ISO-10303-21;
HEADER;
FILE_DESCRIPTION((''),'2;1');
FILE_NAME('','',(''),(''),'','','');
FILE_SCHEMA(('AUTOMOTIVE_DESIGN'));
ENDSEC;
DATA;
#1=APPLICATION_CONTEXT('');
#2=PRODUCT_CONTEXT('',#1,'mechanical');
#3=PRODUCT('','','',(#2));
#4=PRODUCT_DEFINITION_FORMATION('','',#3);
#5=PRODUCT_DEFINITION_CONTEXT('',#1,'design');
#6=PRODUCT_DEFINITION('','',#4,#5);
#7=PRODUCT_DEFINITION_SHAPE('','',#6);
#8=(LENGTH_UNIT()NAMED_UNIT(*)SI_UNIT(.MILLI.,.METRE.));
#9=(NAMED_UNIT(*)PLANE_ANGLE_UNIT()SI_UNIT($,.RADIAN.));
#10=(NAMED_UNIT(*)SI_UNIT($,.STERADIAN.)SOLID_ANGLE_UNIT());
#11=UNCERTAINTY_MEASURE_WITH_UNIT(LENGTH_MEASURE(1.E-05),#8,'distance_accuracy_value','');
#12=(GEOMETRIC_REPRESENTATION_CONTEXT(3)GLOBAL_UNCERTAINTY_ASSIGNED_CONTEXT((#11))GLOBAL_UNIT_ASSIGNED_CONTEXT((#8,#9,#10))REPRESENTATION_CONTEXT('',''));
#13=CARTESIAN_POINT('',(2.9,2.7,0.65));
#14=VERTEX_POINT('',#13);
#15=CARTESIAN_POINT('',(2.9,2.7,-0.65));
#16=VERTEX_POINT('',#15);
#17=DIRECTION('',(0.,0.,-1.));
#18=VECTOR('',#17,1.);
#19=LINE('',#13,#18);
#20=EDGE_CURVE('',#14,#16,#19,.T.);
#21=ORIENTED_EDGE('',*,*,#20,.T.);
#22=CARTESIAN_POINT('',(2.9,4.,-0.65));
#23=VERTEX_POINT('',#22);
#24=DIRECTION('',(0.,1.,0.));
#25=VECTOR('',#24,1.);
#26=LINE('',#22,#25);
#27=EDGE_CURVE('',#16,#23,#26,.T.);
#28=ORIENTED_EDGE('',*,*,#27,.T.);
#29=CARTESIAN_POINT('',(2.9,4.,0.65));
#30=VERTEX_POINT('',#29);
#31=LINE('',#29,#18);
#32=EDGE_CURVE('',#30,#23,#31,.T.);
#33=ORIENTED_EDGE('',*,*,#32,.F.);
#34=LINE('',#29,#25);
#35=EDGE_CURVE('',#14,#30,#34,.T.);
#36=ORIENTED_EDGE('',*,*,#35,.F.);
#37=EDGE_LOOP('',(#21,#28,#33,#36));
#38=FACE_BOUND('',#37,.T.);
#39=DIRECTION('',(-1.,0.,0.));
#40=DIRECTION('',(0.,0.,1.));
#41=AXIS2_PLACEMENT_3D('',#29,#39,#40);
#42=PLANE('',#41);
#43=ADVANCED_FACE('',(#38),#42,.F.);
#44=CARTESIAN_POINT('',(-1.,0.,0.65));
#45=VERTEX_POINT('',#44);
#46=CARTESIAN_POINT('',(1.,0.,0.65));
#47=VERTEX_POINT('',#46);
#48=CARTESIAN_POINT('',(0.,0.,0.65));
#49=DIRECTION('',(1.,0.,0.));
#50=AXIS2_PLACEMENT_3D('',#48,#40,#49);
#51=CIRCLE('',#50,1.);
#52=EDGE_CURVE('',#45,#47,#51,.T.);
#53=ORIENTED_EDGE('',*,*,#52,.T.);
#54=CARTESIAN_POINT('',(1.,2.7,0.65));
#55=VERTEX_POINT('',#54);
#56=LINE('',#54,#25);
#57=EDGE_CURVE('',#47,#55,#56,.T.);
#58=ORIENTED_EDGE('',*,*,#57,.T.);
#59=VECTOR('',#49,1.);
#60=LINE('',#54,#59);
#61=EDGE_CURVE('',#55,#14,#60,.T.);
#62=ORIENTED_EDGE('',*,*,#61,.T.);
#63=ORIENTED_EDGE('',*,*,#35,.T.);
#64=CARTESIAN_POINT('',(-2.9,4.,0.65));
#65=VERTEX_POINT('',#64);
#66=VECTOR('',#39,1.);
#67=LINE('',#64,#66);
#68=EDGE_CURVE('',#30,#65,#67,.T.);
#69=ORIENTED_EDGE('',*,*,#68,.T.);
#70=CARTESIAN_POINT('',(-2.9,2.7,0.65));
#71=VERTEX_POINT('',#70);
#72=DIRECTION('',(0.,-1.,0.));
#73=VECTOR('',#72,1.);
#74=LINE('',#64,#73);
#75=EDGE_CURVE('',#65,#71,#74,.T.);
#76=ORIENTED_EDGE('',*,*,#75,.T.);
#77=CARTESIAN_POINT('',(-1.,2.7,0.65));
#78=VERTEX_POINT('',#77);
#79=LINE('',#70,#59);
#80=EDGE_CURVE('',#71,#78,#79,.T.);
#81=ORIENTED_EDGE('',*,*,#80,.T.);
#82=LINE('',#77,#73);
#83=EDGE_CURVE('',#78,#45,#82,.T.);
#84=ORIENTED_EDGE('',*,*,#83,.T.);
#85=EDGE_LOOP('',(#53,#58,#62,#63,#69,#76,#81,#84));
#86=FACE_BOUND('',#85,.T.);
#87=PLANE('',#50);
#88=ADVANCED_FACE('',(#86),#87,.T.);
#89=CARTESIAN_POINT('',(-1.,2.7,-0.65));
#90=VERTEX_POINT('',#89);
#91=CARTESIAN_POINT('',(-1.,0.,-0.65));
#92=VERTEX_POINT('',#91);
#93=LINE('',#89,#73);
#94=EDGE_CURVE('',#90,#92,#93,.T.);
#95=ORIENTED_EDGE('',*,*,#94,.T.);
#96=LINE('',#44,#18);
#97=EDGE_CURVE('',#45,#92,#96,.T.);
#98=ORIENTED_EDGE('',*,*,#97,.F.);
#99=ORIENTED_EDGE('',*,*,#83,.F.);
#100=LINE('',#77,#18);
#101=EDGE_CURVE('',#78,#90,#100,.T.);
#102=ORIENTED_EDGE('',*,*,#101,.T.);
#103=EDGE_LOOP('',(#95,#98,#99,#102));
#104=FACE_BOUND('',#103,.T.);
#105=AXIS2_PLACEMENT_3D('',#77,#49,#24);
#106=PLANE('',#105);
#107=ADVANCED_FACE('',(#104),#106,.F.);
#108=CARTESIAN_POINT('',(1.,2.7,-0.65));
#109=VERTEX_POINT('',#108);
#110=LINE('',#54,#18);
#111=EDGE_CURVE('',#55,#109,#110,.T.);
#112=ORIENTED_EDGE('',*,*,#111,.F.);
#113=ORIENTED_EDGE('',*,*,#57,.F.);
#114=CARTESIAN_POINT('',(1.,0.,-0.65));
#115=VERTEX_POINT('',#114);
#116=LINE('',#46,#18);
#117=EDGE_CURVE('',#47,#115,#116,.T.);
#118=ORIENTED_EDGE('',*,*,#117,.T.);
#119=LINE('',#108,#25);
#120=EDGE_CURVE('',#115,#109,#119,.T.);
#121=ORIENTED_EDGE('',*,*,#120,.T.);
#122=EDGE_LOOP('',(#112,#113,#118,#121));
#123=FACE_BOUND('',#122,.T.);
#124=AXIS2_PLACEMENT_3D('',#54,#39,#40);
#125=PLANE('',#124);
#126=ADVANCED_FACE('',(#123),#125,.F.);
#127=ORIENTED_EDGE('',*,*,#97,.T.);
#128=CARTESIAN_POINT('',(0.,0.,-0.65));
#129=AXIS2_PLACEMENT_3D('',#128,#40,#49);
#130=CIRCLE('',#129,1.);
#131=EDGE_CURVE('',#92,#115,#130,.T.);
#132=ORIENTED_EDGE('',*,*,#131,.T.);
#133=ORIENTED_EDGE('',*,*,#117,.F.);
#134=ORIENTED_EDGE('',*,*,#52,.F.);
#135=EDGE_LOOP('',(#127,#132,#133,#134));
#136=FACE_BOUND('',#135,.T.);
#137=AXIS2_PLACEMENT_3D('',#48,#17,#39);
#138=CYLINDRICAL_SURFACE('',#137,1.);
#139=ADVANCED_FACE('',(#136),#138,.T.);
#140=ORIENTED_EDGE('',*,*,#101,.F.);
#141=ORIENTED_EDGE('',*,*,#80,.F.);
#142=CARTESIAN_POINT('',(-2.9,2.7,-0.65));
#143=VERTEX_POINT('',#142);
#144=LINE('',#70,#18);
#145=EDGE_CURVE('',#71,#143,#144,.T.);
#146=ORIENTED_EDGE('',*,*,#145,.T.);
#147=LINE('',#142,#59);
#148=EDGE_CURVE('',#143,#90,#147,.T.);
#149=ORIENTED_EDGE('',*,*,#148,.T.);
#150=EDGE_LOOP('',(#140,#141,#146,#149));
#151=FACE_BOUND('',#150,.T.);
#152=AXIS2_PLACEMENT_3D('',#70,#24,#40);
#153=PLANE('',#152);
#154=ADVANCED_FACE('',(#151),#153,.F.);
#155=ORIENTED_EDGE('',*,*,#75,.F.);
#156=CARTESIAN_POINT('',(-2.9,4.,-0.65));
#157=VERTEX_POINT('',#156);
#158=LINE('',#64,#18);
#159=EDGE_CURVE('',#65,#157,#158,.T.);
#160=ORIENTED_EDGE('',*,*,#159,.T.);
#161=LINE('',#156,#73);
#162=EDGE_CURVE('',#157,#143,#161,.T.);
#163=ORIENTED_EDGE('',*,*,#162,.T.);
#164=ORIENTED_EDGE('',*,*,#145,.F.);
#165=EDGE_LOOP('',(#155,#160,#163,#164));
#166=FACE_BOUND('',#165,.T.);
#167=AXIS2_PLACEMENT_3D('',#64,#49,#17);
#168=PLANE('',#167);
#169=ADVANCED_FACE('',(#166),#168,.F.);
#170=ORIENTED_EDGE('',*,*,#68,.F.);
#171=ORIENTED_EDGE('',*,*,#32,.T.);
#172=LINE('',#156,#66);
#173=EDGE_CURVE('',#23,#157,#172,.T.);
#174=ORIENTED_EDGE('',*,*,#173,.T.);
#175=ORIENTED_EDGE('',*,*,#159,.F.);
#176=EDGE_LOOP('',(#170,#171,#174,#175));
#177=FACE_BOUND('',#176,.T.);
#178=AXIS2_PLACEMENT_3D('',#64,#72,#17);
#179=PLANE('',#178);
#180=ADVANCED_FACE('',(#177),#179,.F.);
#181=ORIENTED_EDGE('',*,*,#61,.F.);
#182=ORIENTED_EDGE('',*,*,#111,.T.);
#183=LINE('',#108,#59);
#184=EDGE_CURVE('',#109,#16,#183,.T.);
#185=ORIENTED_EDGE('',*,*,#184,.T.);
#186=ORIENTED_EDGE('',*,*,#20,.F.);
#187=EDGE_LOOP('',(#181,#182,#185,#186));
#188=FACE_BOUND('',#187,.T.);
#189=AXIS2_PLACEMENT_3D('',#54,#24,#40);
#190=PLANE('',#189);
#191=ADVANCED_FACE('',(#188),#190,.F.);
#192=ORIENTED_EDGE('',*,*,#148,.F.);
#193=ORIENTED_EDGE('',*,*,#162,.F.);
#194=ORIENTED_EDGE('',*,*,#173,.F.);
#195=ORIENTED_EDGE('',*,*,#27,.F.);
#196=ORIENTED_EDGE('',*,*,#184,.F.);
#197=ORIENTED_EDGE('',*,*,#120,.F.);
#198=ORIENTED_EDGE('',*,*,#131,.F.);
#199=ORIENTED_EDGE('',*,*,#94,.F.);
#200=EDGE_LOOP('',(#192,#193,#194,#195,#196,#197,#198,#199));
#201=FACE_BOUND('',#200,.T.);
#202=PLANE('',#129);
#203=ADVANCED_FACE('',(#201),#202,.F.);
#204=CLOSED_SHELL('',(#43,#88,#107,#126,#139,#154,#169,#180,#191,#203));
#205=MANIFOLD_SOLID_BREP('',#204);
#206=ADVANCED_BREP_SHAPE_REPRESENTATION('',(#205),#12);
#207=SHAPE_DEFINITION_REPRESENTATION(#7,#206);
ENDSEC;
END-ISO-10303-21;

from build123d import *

# Parameters (mm, degrees)
BOSS_EXTRUDE1_DEPTH = 0.65


with BuildPart() as part:
    # Sketch1 → Boss-Extrude1 (new, symmetric)
    with BuildSketch(Plane.XY):
        with BuildLine():
            Line((1, 2.7), (2.9, 2.7))
            Line((2.9, 2.7), (2.9, 4))
            Line((2.9, 4), (-2.9, 4))
            Line((-2.9, 4), (-2.9, 2.7))
            Line((-2.9, 2.7), (-1, 2.7))
            Line((-1, 2.7), (-1, 0))
            ThreePointArc((-1, 0), (0, -1), (1, 0))
            Line((1, 0), (1, 2.7))
        make_face()
    extrude(amount=BOSS_EXTRUDE1_DEPTH, both=True)


solid = part.part
